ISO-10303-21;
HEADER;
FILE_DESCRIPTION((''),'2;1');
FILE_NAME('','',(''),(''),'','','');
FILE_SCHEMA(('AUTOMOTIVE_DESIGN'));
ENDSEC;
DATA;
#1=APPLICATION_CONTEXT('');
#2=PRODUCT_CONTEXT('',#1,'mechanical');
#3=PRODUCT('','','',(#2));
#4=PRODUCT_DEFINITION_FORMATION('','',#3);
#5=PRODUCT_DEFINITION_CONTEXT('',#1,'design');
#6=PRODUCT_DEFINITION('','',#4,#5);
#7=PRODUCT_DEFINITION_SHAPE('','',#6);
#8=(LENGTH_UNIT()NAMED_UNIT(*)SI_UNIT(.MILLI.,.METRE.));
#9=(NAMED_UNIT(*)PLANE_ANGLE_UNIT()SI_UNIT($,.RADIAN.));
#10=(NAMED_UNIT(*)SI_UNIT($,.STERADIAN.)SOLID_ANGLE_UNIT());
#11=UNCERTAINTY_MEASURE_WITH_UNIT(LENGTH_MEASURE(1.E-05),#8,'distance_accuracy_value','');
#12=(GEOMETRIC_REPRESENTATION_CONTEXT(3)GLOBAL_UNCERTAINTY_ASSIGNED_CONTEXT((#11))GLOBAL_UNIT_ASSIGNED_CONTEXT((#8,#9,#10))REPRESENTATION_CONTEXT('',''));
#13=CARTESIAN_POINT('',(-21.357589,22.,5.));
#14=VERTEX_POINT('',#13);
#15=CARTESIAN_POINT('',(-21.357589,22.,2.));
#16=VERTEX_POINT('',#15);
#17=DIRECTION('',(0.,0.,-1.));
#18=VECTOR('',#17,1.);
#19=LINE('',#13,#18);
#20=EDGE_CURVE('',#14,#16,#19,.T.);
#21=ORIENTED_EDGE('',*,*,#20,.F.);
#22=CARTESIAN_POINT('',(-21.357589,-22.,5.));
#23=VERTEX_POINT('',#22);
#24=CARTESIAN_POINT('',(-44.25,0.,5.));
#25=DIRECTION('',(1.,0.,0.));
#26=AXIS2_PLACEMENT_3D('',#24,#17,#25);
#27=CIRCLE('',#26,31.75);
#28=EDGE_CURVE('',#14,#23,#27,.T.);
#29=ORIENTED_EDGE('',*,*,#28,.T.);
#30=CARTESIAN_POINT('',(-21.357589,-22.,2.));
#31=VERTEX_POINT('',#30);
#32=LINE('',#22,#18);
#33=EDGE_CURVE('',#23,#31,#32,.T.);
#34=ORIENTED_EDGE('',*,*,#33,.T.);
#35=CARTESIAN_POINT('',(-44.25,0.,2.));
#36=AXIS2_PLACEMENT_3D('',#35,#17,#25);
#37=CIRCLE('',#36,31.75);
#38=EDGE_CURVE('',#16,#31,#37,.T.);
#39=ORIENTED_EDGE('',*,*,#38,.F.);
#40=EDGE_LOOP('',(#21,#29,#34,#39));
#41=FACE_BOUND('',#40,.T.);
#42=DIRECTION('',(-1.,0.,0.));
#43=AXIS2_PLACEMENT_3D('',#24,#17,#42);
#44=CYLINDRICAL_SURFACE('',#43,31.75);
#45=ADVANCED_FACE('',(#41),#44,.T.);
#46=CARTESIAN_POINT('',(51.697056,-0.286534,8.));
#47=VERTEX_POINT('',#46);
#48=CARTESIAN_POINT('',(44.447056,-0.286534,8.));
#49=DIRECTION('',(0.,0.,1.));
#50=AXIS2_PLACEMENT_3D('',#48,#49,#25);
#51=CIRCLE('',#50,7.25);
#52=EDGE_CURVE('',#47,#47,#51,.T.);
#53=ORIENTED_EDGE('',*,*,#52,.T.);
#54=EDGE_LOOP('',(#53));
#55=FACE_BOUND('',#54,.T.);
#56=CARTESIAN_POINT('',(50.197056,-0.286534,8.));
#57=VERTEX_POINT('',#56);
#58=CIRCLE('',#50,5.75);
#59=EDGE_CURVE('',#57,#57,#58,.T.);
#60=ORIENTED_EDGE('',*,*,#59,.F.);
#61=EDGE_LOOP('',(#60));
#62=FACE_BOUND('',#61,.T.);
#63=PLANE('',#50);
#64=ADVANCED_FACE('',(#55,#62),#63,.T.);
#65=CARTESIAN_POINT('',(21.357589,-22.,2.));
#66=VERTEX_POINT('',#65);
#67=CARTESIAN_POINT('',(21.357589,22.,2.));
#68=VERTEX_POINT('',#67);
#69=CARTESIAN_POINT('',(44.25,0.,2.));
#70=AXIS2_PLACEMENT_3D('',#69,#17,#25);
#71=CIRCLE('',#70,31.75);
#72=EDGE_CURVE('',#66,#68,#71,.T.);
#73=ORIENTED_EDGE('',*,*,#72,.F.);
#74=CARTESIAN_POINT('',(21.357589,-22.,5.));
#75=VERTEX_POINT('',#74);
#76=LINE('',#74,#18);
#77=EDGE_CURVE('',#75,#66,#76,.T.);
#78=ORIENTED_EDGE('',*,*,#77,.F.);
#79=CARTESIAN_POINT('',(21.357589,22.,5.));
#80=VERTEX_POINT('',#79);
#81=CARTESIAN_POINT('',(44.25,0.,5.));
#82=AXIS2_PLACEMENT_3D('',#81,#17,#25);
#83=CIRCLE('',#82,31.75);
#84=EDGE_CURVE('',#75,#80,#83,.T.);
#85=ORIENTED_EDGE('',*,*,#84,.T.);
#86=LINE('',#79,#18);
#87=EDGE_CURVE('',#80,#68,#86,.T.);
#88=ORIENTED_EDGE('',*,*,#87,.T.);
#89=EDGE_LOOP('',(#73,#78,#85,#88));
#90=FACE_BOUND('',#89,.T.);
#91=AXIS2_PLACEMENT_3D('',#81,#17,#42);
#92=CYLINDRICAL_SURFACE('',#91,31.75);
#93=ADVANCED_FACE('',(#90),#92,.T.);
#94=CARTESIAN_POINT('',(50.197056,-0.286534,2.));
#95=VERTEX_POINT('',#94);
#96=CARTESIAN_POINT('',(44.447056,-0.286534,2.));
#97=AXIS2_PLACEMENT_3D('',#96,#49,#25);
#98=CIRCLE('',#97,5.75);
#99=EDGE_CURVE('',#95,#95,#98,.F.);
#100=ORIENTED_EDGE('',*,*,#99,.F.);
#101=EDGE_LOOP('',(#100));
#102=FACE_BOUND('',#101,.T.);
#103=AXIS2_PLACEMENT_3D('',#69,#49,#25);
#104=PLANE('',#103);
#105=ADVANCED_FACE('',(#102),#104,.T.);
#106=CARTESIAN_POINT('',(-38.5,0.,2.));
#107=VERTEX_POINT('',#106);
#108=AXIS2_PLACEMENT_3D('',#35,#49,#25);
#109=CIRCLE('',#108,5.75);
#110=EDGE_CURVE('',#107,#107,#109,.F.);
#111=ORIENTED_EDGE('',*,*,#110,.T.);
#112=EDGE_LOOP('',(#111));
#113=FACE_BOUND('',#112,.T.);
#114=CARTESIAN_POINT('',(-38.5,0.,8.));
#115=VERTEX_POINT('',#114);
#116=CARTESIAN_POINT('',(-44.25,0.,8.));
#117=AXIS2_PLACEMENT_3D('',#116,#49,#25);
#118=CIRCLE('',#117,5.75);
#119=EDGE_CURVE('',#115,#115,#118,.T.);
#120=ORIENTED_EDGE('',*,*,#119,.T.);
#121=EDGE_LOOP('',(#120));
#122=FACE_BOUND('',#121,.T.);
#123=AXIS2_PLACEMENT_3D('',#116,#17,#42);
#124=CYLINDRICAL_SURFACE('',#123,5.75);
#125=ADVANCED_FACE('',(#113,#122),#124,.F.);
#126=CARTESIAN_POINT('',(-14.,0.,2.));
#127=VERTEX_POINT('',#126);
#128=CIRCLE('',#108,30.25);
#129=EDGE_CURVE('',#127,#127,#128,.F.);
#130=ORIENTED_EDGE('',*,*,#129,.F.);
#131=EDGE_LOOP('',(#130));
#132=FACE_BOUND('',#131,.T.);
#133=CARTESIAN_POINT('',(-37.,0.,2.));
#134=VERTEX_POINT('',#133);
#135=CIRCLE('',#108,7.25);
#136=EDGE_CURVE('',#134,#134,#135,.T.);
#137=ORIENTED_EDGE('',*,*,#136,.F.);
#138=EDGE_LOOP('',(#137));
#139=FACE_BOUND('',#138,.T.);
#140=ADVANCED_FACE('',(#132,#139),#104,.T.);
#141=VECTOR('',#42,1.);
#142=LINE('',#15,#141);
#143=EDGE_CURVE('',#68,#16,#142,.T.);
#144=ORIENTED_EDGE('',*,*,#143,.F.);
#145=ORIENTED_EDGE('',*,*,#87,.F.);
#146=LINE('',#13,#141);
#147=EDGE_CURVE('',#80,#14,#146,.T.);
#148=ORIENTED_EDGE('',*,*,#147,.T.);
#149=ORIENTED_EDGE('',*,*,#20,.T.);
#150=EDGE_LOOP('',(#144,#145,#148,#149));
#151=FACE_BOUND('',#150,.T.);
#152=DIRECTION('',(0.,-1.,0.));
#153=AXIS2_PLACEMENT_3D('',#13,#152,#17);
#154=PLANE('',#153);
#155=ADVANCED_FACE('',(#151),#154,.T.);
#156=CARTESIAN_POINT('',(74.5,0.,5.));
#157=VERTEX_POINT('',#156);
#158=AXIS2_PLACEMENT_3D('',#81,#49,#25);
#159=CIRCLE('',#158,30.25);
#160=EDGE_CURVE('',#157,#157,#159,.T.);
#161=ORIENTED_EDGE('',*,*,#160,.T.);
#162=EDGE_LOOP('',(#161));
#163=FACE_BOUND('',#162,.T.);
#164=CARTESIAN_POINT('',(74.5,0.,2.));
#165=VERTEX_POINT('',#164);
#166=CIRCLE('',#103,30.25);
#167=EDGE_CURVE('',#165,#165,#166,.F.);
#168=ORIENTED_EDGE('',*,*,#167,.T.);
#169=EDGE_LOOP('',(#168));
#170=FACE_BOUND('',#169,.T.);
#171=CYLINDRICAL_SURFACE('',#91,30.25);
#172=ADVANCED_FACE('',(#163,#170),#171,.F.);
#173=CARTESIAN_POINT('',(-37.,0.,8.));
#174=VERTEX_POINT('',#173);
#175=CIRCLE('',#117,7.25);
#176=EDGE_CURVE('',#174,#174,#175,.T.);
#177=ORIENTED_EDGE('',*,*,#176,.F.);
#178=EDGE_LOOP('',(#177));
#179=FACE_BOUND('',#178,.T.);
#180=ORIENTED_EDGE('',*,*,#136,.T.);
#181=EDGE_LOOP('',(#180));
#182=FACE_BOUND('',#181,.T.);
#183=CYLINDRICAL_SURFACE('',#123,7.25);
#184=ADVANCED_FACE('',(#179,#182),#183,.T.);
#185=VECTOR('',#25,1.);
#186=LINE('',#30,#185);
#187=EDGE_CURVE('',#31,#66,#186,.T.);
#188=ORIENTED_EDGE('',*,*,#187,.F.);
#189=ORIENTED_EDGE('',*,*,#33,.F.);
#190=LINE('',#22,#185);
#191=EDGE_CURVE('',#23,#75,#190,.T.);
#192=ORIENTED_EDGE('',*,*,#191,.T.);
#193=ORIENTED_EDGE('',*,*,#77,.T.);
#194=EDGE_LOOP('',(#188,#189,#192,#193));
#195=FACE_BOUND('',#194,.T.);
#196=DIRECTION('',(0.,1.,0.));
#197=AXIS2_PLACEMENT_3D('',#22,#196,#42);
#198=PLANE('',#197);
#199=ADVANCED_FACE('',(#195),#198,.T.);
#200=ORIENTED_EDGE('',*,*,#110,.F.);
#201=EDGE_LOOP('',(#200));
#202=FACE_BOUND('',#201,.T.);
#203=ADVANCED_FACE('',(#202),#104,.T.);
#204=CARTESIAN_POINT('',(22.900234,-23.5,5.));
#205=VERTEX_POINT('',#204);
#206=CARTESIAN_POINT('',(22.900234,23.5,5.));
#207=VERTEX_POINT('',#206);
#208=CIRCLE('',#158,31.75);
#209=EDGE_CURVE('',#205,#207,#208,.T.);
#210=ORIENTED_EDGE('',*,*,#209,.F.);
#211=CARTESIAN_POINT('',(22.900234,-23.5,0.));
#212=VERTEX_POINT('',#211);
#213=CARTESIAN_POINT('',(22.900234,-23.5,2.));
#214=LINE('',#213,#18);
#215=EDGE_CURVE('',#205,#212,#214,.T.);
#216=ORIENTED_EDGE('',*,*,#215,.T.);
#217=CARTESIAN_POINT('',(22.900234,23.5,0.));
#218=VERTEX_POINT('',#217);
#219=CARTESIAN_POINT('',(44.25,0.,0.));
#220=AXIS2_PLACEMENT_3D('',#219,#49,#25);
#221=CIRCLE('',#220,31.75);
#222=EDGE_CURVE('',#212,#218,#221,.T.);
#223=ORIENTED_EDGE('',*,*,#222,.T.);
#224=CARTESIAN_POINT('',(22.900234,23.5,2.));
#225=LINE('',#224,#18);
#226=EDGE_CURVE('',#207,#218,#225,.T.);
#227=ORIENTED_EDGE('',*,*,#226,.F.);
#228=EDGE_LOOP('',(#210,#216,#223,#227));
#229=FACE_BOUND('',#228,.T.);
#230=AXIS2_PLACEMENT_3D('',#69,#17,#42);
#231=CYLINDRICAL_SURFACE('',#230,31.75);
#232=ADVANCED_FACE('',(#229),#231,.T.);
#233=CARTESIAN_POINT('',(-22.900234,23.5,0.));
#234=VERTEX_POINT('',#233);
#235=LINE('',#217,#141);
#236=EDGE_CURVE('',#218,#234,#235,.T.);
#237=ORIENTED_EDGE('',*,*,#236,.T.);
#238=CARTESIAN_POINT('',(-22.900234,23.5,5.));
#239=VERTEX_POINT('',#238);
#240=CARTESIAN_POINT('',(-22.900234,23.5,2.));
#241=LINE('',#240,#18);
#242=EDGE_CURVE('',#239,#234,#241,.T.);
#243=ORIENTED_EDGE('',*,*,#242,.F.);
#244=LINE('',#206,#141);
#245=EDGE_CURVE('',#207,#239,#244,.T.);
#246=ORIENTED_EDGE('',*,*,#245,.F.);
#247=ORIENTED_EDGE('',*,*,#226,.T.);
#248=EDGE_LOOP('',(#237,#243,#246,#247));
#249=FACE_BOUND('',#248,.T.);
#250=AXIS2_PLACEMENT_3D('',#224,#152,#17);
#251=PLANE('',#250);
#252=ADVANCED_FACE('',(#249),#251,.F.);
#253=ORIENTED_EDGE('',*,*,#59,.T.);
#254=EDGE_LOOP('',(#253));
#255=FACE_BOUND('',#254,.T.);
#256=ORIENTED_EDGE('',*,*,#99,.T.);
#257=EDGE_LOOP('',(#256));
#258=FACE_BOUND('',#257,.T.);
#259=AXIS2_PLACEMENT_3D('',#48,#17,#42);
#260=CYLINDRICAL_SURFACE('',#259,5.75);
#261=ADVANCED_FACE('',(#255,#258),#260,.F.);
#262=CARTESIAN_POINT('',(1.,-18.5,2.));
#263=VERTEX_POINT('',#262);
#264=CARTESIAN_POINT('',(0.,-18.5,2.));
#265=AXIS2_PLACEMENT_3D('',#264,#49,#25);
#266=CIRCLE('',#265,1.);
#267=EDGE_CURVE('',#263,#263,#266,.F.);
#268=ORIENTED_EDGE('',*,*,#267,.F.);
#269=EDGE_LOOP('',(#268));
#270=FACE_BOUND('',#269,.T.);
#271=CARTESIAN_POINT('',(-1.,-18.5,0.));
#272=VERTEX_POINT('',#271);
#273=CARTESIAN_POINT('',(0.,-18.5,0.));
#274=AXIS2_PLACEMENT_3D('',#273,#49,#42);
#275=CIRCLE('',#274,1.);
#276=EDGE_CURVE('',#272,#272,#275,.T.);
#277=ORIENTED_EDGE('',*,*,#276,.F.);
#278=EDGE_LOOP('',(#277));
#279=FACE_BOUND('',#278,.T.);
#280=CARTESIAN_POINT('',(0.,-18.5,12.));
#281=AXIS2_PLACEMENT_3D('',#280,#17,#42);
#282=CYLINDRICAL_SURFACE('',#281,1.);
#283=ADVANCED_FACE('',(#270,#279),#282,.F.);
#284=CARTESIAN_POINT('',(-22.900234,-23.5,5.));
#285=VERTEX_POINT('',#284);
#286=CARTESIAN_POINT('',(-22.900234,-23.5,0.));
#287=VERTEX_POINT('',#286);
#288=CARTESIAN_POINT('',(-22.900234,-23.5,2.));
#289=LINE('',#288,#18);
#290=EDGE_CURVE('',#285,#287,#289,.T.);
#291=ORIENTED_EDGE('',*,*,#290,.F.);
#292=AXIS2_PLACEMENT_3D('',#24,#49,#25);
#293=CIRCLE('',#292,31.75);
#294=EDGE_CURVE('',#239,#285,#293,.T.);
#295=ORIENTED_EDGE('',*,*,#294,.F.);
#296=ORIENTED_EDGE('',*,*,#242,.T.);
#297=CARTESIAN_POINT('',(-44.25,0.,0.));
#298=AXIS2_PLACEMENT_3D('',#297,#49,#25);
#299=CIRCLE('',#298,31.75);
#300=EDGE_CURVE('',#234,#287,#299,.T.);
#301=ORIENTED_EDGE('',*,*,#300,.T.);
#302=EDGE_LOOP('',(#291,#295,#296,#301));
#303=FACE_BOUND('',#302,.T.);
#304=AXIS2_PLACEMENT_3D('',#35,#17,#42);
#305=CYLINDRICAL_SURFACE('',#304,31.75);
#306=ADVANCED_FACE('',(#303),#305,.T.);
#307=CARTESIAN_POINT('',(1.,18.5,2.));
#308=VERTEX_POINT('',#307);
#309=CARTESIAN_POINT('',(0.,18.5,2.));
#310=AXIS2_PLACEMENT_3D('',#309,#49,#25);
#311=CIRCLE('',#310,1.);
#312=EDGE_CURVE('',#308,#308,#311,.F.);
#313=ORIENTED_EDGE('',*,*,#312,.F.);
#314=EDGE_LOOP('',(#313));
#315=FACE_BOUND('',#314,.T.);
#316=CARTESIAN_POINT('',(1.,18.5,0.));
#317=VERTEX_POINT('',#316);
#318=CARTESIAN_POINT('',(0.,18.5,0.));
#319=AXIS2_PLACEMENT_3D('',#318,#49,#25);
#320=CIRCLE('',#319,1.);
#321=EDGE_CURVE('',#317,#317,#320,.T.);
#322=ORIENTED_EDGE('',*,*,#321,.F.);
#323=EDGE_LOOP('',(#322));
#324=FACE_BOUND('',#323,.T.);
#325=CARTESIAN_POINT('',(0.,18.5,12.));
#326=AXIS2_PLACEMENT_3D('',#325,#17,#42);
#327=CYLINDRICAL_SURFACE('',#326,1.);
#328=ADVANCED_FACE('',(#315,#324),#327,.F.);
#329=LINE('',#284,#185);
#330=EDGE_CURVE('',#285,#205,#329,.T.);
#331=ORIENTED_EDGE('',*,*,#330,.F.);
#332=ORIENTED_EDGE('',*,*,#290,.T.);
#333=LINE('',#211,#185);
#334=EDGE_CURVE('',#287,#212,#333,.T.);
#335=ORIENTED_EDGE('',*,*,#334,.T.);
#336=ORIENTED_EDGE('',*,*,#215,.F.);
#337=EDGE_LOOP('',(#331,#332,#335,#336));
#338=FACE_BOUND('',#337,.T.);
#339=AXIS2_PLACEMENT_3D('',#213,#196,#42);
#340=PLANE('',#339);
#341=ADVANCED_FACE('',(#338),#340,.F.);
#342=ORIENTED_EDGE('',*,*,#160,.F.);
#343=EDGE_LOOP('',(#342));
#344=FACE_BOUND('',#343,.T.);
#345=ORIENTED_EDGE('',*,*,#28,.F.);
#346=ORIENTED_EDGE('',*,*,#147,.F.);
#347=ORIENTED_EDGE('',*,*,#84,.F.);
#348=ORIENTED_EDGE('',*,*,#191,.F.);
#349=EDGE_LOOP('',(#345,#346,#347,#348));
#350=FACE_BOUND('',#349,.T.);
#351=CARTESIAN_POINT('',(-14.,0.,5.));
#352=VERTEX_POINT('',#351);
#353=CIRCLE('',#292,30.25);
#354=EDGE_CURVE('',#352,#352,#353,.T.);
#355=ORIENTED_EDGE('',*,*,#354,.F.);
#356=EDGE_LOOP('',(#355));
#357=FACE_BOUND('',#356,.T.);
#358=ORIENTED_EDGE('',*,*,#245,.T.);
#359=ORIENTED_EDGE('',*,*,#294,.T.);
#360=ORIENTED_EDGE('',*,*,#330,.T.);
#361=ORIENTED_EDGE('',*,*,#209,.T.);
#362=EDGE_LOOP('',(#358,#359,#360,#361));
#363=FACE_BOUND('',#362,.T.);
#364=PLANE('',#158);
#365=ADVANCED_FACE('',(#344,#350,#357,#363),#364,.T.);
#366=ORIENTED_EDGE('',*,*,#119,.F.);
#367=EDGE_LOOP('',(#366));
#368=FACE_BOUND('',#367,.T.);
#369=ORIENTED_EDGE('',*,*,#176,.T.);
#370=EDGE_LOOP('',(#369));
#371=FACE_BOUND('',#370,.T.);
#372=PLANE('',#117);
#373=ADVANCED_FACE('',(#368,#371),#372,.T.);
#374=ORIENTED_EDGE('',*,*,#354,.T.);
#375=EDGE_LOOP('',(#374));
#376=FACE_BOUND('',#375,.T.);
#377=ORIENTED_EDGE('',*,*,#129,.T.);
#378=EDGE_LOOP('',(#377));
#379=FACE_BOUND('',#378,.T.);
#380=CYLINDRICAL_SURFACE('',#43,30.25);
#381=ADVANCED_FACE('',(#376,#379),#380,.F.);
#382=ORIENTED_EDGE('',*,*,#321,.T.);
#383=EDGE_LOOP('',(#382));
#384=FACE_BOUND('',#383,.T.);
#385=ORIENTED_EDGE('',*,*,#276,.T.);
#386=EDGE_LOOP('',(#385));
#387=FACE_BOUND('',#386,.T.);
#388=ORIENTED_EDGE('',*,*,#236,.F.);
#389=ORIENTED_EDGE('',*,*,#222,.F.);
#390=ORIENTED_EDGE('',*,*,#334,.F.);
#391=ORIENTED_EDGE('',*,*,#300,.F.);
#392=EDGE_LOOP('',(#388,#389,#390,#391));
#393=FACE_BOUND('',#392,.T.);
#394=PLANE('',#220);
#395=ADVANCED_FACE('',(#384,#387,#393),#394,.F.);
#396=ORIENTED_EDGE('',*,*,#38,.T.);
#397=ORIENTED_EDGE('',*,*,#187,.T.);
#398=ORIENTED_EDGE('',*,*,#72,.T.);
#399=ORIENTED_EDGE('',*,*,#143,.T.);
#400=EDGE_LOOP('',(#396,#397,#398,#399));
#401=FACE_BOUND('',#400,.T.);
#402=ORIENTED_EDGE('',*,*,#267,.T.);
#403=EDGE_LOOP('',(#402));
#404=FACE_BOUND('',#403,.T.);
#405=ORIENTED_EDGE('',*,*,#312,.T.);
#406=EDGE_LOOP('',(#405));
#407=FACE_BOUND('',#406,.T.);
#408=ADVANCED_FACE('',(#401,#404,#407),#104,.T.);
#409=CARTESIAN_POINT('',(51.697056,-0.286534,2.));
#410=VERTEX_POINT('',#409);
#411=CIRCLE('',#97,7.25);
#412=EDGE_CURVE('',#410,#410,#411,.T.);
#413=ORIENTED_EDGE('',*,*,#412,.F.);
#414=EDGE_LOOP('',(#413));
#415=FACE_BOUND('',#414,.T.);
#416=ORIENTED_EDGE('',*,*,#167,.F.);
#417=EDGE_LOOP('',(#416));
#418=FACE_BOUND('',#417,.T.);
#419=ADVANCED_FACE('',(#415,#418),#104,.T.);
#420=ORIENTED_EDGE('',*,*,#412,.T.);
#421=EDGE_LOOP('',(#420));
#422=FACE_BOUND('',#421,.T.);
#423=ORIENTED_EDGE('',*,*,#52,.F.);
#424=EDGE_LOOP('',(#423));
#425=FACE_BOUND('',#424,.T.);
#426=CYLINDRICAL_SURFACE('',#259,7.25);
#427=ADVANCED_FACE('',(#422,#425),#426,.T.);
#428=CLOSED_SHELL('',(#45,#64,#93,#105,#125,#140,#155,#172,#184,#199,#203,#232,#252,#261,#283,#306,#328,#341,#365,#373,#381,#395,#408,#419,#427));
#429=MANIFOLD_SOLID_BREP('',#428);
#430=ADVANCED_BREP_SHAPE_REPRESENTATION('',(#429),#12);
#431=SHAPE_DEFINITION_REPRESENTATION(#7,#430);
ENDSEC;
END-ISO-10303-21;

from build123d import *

# Parameters (mm, degrees)
BOSS_EXTRUDE1_DEPTH     = 2
SKETCH5_R               = 30.25
BOSS_EXTRUDE2_DEPTH     = 3
SKETCH6_R               = 7.25
SKETCH6_R_2             = 5.75
BOSS_EXTRUDE3_DEPTH     = 6
SKETCH7_R               = 1
CUT_EXTRUDE1_DEPTH      = 10
CUT_EXTRUDE1_DEPTH_BACK = 3


with BuildPart() as part:
    # Sketch3 → Boss-Extrude1 (new body)
    with BuildSketch(Plane.XY):
        with BuildLine():
            Line((22.900234193, 23.5), (-22.900234193, 23.5))
            ThreePointArc((-22.900234193, 23.5), (-76, 0), (-22.900234193, -23.5))
            Line((-22.900234193, -23.5), (22.900234193, -23.5))
            ThreePointArc((22.900234193, -23.5), (76, 0), (22.900234193, 23.5))
        make_face()
    extrude(amount=BOSS_EXTRUDE1_DEPTH)

    # Sketch5 → Boss-Extrude2 (add)
    with BuildSketch(Plane.XY.offset(2)):
        with BuildLine():
            Line((22.900234193, 23.5), (-22.900234193, 23.5))
            ThreePointArc((-22.900234193, 23.5), (-76, 0), (-22.900234193, -23.5))
            Line((-22.900234193, -23.5), (22.900234193, -23.5))
            ThreePointArc((22.900234193, -23.5), (76, 0), (22.900234193, 23.5))
        make_face()
        with Locations((-44.25, 0)):
            Circle(SKETCH5_R, mode=Mode.SUBTRACT)
        with Locations((44.25, 0)):
            Circle(SKETCH5_R, mode=Mode.SUBTRACT)
        with BuildLine():
            Line((-21.357588594, 22), (21.357588594, 22))
            ThreePointArc((21.357588594, 22), (12.5, 0), (21.357588594, -22))
            Line((21.357588594, -22), (-21.357588594, -22))
            ThreePointArc((-21.357588594, -22), (-12.5, 0), (-21.357588594, 22))
        make_face(mode=Mode.SUBTRACT)
    extrude(amount=BOSS_EXTRUDE2_DEPTH)

    # Sketch6 → Boss-Extrude3 (add)
    with BuildSketch(Plane.XY.offset(2)):
        with Locations((-44.25, 0)):
            Circle(SKETCH6_R)
        with Locations((-44.25, 0)):
            Circle(SKETCH6_R_2, mode=Mode.SUBTRACT)
        with Locations((44.447055655, -0.28653356)):
            Circle(SKETCH6_R)
        with Locations((44.447055655, -0.28653356)):
            Circle(SKETCH6_R_2, mode=Mode.SUBTRACT)
    extrude(amount=BOSS_EXTRUDE3_DEPTH)

    # Sketch7 → Cut-Extrude1 (cut, two sides)
    with BuildSketch(Plane.XY.offset(2)) as cut_extrude1_sk:
        with Locations((0, 18.5)):
            Circle(SKETCH7_R)
        with Locations((0, -18.5)):
            Circle(SKETCH7_R)
    extrude(amount=CUT_EXTRUDE1_DEPTH, mode=Mode.SUBTRACT)
    extrude(cut_extrude1_sk.sketch, amount=-CUT_EXTRUDE1_DEPTH_BACK, mode=Mode.SUBTRACT)


solid = part.part
